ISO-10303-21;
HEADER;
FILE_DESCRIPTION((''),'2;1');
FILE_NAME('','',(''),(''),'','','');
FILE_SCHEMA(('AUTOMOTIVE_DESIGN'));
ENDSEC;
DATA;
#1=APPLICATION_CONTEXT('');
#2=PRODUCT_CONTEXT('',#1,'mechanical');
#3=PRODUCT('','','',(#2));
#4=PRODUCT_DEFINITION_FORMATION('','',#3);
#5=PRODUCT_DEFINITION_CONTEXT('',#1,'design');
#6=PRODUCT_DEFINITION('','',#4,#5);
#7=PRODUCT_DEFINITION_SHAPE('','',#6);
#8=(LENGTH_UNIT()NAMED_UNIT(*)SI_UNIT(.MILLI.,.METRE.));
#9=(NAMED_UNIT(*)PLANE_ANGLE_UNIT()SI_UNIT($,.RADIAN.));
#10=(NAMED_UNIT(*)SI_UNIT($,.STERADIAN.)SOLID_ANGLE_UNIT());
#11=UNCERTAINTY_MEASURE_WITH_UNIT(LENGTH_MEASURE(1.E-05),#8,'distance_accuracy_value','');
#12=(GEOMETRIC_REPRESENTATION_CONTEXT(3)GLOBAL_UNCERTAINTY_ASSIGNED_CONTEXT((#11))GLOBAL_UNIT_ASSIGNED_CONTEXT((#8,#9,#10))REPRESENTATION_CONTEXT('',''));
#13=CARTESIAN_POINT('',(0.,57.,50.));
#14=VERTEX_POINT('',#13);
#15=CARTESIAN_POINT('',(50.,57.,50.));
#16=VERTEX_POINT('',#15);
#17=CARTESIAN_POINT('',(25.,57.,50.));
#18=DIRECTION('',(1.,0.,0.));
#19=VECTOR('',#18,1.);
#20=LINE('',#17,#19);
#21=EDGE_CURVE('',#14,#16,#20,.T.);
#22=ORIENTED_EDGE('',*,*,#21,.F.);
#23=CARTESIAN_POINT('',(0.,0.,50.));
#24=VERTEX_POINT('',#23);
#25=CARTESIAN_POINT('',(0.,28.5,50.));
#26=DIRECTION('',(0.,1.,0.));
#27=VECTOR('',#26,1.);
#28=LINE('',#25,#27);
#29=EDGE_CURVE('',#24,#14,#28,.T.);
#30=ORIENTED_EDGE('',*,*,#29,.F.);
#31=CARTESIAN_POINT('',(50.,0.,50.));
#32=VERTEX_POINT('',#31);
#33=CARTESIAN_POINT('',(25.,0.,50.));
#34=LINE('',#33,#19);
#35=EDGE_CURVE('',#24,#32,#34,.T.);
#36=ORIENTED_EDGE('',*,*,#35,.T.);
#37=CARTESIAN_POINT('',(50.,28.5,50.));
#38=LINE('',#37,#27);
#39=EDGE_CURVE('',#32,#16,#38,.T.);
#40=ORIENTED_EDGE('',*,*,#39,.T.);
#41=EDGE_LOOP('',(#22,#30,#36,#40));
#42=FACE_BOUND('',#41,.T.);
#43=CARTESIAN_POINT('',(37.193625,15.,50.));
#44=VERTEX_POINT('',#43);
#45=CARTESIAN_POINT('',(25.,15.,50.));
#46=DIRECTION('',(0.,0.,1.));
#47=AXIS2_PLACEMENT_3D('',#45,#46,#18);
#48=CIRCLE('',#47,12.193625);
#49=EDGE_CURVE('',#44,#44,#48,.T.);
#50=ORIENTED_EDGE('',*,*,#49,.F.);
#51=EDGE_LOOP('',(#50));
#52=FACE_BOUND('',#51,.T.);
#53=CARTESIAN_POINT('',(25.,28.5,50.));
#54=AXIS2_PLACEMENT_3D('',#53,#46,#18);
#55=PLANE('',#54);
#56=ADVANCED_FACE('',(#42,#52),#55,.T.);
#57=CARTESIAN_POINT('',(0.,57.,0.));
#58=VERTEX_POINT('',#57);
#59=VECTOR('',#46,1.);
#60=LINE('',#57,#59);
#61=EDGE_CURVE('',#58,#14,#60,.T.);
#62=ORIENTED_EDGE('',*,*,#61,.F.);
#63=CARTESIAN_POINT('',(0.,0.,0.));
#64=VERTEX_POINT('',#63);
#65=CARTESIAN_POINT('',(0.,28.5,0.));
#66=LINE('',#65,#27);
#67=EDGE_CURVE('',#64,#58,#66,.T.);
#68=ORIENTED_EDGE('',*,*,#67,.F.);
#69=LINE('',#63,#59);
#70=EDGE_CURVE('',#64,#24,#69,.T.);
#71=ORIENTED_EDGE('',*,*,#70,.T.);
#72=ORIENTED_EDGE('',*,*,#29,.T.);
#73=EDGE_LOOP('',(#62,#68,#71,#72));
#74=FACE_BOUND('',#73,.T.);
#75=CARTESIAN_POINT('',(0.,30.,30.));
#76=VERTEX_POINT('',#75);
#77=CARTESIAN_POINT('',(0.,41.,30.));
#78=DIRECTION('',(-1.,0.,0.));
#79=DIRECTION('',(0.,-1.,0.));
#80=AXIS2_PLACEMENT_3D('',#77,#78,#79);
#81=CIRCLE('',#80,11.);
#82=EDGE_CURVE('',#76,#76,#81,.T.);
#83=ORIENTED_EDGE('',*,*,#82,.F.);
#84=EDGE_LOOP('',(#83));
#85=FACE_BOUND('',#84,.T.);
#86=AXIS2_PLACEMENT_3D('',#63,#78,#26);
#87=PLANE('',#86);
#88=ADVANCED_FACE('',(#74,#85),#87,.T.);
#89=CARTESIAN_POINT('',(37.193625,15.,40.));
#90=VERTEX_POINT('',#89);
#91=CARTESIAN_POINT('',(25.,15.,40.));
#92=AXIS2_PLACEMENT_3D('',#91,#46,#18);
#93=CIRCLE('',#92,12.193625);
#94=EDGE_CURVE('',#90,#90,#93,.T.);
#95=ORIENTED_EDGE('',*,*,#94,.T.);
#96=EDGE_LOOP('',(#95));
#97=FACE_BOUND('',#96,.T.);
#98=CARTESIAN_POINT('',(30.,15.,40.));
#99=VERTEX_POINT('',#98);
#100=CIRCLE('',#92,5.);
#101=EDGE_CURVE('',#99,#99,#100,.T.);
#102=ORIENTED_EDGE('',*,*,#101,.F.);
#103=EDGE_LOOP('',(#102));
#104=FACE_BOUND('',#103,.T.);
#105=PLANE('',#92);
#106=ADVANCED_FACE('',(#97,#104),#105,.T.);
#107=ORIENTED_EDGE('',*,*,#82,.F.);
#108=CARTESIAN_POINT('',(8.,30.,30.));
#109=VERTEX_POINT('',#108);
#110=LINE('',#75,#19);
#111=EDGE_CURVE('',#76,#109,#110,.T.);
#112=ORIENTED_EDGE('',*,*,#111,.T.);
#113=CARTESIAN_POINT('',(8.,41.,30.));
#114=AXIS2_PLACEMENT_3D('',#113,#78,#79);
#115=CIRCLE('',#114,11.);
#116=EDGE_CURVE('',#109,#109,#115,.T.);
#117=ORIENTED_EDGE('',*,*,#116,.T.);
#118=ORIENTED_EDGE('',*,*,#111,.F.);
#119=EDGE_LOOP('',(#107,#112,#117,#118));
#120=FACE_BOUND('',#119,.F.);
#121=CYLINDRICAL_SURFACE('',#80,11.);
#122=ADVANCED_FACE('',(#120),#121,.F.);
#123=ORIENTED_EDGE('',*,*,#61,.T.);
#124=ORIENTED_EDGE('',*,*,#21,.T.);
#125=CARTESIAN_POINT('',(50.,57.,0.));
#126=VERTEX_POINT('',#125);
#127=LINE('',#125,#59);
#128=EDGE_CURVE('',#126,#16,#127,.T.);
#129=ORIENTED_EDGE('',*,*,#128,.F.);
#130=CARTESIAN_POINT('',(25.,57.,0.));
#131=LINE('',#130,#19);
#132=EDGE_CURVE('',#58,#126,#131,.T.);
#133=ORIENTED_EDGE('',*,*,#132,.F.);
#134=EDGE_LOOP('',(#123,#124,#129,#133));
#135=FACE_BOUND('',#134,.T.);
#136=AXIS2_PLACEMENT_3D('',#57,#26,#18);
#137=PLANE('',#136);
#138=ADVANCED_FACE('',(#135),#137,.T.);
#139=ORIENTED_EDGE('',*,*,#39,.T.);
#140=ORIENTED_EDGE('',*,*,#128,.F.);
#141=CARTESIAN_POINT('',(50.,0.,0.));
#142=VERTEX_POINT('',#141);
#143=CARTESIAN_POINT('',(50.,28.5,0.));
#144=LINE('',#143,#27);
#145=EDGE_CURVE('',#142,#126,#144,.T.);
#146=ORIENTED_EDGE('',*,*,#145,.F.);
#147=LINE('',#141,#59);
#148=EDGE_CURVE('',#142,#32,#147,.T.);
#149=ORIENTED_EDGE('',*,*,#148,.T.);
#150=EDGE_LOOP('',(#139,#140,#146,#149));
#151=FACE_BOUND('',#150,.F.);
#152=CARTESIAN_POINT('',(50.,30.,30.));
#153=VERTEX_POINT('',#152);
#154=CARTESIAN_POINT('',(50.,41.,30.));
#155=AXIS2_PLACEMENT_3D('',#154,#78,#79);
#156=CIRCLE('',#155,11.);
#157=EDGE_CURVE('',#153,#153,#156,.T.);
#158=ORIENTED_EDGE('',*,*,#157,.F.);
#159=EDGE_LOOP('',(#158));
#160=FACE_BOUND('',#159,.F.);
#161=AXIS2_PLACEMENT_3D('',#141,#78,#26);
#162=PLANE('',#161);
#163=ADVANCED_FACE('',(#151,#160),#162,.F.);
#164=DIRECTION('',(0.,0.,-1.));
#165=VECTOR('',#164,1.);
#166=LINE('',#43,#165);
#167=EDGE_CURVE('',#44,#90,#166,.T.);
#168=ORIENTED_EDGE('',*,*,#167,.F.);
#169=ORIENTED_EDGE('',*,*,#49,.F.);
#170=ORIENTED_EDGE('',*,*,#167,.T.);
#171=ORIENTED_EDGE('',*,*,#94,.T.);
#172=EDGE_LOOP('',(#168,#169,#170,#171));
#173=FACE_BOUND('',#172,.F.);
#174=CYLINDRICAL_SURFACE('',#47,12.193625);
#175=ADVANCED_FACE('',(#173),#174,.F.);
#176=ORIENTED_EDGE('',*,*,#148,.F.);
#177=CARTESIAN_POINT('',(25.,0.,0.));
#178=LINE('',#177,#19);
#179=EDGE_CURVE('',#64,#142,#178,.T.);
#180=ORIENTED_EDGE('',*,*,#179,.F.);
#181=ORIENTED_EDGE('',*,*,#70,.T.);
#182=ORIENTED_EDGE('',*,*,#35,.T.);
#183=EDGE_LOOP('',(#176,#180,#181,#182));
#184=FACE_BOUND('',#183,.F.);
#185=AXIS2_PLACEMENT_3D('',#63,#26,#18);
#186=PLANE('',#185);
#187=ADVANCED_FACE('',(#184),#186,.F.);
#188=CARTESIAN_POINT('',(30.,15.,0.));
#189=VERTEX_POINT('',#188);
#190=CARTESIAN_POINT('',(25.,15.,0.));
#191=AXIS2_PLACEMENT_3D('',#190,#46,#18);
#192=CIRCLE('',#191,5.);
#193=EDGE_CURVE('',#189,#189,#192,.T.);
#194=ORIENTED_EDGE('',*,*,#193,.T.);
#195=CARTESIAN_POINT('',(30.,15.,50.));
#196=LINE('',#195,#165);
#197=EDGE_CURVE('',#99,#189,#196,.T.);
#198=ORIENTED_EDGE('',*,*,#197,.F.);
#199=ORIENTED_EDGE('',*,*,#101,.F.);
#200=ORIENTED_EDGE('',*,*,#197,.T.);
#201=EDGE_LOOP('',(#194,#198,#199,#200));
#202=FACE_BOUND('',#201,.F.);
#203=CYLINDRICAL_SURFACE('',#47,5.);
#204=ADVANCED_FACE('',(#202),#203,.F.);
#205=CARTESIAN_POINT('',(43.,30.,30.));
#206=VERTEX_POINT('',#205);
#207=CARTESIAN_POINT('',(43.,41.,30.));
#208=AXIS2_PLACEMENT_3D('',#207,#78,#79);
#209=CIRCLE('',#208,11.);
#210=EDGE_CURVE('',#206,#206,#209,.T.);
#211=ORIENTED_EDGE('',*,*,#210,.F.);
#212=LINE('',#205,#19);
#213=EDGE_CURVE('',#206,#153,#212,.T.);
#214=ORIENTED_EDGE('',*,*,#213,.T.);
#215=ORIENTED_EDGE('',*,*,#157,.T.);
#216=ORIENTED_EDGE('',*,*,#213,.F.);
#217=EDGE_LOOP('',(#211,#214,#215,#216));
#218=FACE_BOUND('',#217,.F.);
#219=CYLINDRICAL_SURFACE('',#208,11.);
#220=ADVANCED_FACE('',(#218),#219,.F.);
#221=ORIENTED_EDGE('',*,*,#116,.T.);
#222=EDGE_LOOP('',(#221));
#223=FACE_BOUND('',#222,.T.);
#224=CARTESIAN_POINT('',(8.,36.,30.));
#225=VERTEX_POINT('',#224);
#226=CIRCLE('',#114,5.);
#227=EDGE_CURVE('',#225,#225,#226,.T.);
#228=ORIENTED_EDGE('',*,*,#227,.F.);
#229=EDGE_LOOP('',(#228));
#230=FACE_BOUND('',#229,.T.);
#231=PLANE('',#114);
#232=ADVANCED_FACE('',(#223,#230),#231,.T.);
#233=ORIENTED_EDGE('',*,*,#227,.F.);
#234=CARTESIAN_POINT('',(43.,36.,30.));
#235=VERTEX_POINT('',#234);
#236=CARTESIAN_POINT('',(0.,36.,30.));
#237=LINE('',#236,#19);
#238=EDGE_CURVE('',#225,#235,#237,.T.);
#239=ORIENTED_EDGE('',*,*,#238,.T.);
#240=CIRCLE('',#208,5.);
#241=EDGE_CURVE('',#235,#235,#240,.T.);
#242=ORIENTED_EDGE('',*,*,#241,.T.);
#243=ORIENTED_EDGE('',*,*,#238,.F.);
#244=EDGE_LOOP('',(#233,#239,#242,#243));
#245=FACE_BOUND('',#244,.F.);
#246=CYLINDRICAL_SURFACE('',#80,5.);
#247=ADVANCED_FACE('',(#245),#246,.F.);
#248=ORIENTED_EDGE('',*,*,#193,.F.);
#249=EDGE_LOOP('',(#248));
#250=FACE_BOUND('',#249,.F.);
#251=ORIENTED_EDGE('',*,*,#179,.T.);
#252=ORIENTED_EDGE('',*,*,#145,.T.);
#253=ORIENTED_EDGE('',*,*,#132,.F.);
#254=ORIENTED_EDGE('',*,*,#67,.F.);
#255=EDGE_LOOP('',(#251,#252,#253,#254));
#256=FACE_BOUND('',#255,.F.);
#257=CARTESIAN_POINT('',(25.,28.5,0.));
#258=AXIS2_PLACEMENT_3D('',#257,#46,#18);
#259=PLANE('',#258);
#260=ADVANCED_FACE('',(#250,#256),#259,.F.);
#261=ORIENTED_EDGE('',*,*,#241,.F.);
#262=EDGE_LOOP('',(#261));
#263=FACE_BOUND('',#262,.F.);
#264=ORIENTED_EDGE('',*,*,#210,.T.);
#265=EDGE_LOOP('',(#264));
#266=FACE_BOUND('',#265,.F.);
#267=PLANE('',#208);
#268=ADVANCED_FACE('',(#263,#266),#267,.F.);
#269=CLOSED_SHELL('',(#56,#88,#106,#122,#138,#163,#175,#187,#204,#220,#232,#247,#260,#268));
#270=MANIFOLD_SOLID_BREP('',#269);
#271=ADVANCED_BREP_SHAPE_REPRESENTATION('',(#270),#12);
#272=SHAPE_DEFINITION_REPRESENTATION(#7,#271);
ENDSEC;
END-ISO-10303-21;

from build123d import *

# Parameters (mm, degrees)
F0_W     = 50
F0_H     = 57
F1_DEPTH = 50
F2_R     = 5
F3_DEPTH = 50.001
F4_R     = 5
F5_DEPTH = 50.001
F4_R_2   = 11
F6_DEPTH = 8
F7_START = -43
F7_DEPTH = 7
F2_R_2   = 12.1936245424
F8_DEPTH = 10


with BuildPart() as f1:
    # F0 (on Top) → F1 (new body)
    with BuildSketch(Plane.XY):
        with Locations((25, 28.5)):
            Rectangle(F0_W, F0_H)
    extrude(amount=F1_DEPTH)

    # F2 (on face) → F3 (cut, through all)
    with BuildSketch(Plane.XY.offset(50)):
        with Locations((25, 15)):
            Circle(F2_R)
    extrude(amount=-F3_DEPTH, mode=Mode.SUBTRACT)

    # F4 (on face) → F5 (cut, through all)
    with BuildSketch(Plane(origin=(0, 0, 0), x_dir=(0, -1, 0), z_dir=(-1, 0, 0))):
        with Locations((-41, 30)):
            Circle(F4_R)
    extrude(amount=-F5_DEPTH, mode=Mode.SUBTRACT)

    # F4 (on face) → F6 (cut)
    with BuildSketch(Plane(origin=(0, 0, 0), x_dir=(0, -1, 0), z_dir=(-1, 0, 0))):
        with Locations((-41, 30)):
            Circle(F4_R_2)
        with Locations((-41, 30)):
            Circle(F4_R, mode=Mode.SUBTRACT)
    extrude(amount=-F6_DEPTH, mode=Mode.SUBTRACT)

    # F4 (on face) → F7 (cut)
    with BuildSketch(Plane(origin=(0, 0, 0), x_dir=(0, -1, 0), z_dir=(-1, 0, 0)).offset(F7_START)):
        with Locations((-41, 30)):
            Circle(F4_R_2)
        with Locations((-41, 30)):
            Circle(F4_R, mode=Mode.SUBTRACT)
    extrude(amount=-F7_DEPTH, mode=Mode.SUBTRACT)

    # F2 (on face) → F8 (cut)
    with BuildSketch(Plane.XY.offset(50)):
        with Locations((25, 15)):
            Circle(F2_R_2)
        with Locations((25, 15)):
            Circle(F2_R, mode=Mode.SUBTRACT)
    extrude(amount=-F8_DEPTH, mode=Mode.SUBTRACT)


solid = f1.part
